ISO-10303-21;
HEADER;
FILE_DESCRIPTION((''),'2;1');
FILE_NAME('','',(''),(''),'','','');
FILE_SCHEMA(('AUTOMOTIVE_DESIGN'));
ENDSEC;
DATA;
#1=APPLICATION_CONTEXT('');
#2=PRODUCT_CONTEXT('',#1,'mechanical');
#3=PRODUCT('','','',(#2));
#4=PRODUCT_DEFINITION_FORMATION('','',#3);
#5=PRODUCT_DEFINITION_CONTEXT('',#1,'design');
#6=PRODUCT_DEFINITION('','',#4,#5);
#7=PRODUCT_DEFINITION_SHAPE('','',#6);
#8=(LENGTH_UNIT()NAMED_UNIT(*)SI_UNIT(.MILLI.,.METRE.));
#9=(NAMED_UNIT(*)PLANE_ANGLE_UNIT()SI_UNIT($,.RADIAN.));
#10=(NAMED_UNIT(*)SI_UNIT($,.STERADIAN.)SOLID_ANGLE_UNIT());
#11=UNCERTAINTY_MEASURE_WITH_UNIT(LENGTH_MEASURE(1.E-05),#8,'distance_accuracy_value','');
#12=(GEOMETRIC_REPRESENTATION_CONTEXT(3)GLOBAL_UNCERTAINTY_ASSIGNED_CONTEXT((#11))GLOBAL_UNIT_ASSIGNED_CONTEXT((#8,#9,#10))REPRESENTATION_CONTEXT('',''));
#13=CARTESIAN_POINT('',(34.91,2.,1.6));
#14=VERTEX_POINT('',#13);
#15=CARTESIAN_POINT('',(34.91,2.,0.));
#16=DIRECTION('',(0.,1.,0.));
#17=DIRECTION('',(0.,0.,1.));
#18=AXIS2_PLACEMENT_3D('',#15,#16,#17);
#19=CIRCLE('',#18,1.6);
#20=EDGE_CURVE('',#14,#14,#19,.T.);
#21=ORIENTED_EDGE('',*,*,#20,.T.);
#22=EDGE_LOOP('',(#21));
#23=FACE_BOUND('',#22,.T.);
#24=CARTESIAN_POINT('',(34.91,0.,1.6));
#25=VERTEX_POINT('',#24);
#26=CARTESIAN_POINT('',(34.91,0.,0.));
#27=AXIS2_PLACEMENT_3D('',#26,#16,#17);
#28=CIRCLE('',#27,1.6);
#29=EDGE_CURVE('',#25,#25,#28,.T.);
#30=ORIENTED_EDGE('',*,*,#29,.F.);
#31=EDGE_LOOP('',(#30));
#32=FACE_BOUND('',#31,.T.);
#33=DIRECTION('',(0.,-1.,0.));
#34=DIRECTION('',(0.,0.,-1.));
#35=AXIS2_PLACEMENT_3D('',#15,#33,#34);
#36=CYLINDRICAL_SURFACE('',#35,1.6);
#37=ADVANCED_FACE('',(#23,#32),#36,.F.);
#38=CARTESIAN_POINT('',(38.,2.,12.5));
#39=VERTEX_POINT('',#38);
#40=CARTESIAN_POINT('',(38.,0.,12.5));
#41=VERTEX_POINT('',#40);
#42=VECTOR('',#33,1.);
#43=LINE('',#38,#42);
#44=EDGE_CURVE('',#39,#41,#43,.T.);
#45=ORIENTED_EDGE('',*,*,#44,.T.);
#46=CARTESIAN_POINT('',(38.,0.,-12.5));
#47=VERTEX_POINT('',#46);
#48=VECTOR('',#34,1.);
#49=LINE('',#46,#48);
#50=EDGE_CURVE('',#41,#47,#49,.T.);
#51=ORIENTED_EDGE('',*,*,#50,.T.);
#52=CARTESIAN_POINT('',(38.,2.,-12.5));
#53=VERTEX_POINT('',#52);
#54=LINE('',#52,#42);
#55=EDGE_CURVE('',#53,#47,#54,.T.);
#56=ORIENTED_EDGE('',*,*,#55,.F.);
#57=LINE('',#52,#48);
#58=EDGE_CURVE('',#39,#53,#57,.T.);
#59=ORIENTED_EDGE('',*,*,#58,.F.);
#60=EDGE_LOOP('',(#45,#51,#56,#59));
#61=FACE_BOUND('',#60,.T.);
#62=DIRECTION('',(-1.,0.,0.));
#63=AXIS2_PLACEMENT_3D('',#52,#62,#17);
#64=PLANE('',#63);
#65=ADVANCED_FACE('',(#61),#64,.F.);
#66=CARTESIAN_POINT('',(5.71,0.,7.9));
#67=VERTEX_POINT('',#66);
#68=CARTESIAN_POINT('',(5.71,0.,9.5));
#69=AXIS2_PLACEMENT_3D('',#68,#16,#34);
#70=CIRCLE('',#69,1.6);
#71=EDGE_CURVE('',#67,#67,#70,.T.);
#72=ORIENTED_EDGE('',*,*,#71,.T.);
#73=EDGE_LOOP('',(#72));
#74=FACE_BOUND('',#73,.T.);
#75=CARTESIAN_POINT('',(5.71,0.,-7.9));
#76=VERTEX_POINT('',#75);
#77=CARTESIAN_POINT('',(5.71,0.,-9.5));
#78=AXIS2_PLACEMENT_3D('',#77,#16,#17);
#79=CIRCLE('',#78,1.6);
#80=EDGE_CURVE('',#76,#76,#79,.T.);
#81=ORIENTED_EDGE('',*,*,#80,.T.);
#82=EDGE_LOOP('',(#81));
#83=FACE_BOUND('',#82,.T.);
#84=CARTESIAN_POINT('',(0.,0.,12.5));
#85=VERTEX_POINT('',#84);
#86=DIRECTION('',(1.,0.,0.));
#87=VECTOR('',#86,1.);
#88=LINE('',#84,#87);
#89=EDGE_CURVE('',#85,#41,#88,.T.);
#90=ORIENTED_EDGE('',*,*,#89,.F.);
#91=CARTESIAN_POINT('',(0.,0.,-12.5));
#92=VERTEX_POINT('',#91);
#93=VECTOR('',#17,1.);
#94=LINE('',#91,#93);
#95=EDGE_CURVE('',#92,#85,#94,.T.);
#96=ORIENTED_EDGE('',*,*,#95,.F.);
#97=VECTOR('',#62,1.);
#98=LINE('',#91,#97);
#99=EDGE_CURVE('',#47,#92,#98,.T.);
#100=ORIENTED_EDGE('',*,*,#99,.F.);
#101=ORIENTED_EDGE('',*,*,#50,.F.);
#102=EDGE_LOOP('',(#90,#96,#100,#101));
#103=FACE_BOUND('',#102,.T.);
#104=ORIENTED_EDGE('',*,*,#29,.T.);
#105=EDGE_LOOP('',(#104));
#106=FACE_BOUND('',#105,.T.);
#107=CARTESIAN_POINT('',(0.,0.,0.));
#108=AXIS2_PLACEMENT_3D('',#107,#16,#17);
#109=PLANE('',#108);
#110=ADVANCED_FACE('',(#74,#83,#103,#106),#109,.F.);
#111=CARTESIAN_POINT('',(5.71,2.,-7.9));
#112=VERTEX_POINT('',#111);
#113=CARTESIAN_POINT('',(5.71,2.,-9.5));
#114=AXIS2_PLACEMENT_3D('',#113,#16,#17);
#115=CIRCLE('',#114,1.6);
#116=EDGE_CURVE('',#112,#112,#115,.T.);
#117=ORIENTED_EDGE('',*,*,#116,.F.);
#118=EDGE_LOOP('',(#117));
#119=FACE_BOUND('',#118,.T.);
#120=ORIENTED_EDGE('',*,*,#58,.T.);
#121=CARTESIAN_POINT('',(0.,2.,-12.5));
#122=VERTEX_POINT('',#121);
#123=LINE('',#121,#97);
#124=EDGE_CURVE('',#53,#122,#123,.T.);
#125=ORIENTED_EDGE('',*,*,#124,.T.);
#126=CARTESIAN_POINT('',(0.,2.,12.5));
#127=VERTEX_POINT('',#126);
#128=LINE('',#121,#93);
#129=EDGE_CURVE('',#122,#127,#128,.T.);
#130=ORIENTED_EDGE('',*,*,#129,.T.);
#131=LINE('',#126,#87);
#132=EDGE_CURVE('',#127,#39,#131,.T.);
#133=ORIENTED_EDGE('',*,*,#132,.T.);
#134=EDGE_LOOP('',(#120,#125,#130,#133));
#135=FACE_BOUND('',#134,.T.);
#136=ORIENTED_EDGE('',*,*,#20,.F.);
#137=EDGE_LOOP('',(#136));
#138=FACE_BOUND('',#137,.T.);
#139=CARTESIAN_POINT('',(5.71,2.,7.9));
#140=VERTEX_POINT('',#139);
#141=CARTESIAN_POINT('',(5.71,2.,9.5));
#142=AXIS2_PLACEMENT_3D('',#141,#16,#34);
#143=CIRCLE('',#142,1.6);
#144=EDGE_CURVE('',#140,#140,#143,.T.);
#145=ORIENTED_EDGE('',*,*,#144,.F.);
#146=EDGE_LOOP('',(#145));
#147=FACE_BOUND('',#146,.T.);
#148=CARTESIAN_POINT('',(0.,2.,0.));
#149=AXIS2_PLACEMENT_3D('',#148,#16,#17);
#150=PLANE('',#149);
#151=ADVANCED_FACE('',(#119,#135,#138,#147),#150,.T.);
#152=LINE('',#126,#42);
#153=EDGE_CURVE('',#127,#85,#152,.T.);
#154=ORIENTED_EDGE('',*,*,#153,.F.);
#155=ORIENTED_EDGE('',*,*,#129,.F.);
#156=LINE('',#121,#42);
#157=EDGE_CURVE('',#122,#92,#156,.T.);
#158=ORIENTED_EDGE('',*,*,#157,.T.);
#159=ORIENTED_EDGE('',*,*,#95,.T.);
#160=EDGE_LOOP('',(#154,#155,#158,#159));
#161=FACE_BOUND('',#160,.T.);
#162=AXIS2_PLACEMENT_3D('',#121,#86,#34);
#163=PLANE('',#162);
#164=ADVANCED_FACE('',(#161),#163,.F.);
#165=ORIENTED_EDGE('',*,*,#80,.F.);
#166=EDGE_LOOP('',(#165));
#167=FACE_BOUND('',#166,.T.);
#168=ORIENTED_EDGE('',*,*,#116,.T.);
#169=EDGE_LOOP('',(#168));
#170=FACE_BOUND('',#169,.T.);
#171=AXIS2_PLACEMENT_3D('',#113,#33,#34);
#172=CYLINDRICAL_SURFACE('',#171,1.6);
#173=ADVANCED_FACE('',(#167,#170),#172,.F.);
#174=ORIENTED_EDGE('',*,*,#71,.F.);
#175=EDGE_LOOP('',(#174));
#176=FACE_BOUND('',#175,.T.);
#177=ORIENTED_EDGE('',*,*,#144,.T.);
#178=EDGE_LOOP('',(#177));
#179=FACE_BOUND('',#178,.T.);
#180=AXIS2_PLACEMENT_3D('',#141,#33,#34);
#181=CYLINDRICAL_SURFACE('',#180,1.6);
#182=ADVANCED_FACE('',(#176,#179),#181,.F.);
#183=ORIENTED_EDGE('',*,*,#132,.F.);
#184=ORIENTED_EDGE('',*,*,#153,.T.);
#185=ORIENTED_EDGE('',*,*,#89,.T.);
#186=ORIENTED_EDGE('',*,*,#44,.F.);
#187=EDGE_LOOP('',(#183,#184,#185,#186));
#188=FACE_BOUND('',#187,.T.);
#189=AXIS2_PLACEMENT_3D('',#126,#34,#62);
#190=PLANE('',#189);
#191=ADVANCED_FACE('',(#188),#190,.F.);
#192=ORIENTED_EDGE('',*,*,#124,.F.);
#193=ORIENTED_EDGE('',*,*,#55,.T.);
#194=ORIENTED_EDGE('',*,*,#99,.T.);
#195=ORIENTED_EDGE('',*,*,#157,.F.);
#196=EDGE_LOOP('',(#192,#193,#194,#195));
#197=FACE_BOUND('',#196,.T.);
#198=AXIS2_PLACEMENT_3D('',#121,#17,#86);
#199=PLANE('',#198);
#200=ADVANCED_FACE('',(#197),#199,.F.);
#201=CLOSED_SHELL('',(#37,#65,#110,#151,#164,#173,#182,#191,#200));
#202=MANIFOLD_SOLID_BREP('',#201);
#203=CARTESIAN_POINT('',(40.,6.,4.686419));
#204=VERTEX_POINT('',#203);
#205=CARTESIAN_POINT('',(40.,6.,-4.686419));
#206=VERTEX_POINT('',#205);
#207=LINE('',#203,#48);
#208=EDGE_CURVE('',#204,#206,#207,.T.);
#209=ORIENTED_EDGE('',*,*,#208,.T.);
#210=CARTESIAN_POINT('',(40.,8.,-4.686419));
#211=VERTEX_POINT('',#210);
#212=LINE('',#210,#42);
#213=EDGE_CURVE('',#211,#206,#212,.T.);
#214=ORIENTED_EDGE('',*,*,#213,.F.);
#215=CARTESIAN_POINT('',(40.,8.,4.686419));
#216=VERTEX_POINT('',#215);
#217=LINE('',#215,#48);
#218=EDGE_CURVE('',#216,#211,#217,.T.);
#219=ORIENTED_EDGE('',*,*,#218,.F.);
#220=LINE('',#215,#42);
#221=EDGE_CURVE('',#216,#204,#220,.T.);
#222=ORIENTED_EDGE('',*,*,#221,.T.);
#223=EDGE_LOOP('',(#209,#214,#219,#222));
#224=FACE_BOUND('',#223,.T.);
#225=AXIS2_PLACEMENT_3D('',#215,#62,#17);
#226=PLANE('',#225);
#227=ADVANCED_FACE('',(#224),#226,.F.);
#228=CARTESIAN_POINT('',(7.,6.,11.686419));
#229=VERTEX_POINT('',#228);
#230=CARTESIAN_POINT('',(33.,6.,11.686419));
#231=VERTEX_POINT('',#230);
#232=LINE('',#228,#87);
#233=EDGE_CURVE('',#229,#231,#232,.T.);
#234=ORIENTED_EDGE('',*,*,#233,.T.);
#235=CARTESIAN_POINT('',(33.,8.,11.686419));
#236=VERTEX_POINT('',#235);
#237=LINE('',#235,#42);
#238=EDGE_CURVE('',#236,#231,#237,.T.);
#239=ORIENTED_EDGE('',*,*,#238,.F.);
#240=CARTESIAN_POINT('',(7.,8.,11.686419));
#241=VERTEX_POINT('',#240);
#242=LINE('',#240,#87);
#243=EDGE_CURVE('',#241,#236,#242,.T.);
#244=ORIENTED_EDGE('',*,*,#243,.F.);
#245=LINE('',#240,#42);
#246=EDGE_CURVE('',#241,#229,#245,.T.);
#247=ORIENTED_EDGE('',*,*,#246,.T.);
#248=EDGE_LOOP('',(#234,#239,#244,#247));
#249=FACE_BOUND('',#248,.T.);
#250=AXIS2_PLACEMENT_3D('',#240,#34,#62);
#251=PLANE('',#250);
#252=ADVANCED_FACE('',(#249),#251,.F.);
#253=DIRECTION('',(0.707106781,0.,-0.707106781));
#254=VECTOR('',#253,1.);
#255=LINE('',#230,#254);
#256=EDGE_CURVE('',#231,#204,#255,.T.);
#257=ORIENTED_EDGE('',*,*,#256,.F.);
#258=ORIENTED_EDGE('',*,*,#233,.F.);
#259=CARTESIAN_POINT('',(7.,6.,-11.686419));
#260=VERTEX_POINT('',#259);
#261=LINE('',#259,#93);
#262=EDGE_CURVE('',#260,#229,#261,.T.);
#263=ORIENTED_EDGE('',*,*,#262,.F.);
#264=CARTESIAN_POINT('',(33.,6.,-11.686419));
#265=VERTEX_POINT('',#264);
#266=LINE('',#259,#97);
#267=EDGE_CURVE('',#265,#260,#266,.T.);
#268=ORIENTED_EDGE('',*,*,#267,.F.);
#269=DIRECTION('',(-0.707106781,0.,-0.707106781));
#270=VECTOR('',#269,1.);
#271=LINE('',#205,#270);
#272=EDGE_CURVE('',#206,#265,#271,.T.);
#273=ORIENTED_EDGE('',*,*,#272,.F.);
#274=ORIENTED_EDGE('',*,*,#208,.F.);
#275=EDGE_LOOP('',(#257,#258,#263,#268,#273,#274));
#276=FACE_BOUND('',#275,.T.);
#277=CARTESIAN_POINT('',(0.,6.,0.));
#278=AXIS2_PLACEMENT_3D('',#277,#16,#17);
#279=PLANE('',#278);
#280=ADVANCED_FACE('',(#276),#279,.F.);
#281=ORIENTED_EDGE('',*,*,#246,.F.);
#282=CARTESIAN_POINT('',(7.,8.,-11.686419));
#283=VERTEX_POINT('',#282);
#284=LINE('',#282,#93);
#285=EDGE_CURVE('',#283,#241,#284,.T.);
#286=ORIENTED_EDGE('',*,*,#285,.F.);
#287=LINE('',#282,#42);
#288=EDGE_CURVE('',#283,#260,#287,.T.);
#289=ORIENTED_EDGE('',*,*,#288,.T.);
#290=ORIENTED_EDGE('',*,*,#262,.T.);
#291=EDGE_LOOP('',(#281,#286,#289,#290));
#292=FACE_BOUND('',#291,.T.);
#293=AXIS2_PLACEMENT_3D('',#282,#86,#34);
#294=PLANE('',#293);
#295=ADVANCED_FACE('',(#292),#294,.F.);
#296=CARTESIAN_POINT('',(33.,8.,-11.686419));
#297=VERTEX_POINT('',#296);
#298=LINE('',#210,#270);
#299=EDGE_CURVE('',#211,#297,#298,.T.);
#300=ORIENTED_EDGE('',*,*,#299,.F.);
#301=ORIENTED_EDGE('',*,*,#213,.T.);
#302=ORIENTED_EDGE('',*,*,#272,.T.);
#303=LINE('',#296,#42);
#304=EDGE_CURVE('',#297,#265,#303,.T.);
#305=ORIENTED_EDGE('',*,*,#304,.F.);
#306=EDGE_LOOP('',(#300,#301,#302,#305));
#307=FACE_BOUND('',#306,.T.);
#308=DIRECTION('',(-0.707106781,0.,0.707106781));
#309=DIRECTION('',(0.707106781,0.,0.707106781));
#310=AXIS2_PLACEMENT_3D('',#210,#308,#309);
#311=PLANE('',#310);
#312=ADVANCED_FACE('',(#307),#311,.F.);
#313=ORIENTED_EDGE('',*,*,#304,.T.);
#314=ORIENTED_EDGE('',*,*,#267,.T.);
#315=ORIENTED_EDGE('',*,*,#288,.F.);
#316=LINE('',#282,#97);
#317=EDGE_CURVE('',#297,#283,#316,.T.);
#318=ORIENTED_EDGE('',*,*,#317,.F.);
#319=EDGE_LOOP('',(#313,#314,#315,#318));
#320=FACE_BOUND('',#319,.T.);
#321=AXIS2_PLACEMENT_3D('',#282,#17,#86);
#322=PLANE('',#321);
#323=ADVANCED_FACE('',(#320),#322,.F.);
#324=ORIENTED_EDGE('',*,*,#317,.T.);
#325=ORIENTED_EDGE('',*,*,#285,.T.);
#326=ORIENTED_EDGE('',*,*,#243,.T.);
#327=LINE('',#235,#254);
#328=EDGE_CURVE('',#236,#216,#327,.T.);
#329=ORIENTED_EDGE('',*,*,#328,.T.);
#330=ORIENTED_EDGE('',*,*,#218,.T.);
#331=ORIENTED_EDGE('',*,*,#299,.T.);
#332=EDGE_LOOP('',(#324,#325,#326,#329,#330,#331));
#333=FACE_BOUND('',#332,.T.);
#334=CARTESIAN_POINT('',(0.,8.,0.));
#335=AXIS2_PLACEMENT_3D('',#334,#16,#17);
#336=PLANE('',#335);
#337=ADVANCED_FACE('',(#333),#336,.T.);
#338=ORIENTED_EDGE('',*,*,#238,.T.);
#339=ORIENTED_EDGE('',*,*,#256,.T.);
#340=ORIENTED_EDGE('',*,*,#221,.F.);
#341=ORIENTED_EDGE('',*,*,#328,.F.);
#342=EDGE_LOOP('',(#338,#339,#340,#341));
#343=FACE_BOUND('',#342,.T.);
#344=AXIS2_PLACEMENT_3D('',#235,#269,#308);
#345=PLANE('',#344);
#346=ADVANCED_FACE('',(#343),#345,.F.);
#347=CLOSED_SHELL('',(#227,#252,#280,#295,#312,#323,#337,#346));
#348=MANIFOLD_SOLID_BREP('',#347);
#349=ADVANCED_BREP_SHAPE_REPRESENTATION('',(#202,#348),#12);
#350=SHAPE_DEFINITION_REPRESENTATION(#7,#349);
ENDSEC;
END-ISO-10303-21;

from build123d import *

# Parameters (mm, degrees)
SKETCH1_W           = 38
SKETCH1_H           = 25
SKETCH1_R           = 1.6
BOSS_EXTRUDE1_DEPTH = 2
BOSS_EXTRUDE2_START = 6
BOSS_EXTRUDE2_DEPTH = 2


with BuildPart() as part:
    # Sketch1 → Boss-Extrude1 (new body)
    with BuildSketch(Plane(origin=(0, 0, 0), x_dir=(1, 0, 0), z_dir=(0, 1, 0))):
        with Locations((19, 0)):
            Rectangle(SKETCH1_W, SKETCH1_H)
        with Locations(Location((5.71, 9.5, 0), (0, 0, 270))):
            Circle(SKETCH1_R, mode=Mode.SUBTRACT)
        with Locations(Location((5.71, -9.5, 0), (0, 0, 90))):
            Circle(SKETCH1_R, mode=Mode.SUBTRACT)
        with Locations(Location((34.91, 0, 0), (0, 0, 270))):
            Circle(SKETCH1_R, mode=Mode.SUBTRACT)
    extrude(amount=BOSS_EXTRUDE1_DEPTH)


with BuildPart() as body_2:
    # Sketch2 → Boss-Extrude2 (new body)
    with BuildSketch(Plane(origin=(0, 0, 0), x_dir=(1, 0, 0), z_dir=(0, 1, 0)).offset(BOSS_EXTRUDE2_START)):
        Polygon((33, -11.686418873), (40, -4.686418873), (40, 4.686418873), (33, 11.686418873), (7, 11.686418873), (7, -11.686418873), align=None)
    extrude(amount=BOSS_EXTRUDE2_DEPTH)


solid = Compound([part.part, body_2.part])
